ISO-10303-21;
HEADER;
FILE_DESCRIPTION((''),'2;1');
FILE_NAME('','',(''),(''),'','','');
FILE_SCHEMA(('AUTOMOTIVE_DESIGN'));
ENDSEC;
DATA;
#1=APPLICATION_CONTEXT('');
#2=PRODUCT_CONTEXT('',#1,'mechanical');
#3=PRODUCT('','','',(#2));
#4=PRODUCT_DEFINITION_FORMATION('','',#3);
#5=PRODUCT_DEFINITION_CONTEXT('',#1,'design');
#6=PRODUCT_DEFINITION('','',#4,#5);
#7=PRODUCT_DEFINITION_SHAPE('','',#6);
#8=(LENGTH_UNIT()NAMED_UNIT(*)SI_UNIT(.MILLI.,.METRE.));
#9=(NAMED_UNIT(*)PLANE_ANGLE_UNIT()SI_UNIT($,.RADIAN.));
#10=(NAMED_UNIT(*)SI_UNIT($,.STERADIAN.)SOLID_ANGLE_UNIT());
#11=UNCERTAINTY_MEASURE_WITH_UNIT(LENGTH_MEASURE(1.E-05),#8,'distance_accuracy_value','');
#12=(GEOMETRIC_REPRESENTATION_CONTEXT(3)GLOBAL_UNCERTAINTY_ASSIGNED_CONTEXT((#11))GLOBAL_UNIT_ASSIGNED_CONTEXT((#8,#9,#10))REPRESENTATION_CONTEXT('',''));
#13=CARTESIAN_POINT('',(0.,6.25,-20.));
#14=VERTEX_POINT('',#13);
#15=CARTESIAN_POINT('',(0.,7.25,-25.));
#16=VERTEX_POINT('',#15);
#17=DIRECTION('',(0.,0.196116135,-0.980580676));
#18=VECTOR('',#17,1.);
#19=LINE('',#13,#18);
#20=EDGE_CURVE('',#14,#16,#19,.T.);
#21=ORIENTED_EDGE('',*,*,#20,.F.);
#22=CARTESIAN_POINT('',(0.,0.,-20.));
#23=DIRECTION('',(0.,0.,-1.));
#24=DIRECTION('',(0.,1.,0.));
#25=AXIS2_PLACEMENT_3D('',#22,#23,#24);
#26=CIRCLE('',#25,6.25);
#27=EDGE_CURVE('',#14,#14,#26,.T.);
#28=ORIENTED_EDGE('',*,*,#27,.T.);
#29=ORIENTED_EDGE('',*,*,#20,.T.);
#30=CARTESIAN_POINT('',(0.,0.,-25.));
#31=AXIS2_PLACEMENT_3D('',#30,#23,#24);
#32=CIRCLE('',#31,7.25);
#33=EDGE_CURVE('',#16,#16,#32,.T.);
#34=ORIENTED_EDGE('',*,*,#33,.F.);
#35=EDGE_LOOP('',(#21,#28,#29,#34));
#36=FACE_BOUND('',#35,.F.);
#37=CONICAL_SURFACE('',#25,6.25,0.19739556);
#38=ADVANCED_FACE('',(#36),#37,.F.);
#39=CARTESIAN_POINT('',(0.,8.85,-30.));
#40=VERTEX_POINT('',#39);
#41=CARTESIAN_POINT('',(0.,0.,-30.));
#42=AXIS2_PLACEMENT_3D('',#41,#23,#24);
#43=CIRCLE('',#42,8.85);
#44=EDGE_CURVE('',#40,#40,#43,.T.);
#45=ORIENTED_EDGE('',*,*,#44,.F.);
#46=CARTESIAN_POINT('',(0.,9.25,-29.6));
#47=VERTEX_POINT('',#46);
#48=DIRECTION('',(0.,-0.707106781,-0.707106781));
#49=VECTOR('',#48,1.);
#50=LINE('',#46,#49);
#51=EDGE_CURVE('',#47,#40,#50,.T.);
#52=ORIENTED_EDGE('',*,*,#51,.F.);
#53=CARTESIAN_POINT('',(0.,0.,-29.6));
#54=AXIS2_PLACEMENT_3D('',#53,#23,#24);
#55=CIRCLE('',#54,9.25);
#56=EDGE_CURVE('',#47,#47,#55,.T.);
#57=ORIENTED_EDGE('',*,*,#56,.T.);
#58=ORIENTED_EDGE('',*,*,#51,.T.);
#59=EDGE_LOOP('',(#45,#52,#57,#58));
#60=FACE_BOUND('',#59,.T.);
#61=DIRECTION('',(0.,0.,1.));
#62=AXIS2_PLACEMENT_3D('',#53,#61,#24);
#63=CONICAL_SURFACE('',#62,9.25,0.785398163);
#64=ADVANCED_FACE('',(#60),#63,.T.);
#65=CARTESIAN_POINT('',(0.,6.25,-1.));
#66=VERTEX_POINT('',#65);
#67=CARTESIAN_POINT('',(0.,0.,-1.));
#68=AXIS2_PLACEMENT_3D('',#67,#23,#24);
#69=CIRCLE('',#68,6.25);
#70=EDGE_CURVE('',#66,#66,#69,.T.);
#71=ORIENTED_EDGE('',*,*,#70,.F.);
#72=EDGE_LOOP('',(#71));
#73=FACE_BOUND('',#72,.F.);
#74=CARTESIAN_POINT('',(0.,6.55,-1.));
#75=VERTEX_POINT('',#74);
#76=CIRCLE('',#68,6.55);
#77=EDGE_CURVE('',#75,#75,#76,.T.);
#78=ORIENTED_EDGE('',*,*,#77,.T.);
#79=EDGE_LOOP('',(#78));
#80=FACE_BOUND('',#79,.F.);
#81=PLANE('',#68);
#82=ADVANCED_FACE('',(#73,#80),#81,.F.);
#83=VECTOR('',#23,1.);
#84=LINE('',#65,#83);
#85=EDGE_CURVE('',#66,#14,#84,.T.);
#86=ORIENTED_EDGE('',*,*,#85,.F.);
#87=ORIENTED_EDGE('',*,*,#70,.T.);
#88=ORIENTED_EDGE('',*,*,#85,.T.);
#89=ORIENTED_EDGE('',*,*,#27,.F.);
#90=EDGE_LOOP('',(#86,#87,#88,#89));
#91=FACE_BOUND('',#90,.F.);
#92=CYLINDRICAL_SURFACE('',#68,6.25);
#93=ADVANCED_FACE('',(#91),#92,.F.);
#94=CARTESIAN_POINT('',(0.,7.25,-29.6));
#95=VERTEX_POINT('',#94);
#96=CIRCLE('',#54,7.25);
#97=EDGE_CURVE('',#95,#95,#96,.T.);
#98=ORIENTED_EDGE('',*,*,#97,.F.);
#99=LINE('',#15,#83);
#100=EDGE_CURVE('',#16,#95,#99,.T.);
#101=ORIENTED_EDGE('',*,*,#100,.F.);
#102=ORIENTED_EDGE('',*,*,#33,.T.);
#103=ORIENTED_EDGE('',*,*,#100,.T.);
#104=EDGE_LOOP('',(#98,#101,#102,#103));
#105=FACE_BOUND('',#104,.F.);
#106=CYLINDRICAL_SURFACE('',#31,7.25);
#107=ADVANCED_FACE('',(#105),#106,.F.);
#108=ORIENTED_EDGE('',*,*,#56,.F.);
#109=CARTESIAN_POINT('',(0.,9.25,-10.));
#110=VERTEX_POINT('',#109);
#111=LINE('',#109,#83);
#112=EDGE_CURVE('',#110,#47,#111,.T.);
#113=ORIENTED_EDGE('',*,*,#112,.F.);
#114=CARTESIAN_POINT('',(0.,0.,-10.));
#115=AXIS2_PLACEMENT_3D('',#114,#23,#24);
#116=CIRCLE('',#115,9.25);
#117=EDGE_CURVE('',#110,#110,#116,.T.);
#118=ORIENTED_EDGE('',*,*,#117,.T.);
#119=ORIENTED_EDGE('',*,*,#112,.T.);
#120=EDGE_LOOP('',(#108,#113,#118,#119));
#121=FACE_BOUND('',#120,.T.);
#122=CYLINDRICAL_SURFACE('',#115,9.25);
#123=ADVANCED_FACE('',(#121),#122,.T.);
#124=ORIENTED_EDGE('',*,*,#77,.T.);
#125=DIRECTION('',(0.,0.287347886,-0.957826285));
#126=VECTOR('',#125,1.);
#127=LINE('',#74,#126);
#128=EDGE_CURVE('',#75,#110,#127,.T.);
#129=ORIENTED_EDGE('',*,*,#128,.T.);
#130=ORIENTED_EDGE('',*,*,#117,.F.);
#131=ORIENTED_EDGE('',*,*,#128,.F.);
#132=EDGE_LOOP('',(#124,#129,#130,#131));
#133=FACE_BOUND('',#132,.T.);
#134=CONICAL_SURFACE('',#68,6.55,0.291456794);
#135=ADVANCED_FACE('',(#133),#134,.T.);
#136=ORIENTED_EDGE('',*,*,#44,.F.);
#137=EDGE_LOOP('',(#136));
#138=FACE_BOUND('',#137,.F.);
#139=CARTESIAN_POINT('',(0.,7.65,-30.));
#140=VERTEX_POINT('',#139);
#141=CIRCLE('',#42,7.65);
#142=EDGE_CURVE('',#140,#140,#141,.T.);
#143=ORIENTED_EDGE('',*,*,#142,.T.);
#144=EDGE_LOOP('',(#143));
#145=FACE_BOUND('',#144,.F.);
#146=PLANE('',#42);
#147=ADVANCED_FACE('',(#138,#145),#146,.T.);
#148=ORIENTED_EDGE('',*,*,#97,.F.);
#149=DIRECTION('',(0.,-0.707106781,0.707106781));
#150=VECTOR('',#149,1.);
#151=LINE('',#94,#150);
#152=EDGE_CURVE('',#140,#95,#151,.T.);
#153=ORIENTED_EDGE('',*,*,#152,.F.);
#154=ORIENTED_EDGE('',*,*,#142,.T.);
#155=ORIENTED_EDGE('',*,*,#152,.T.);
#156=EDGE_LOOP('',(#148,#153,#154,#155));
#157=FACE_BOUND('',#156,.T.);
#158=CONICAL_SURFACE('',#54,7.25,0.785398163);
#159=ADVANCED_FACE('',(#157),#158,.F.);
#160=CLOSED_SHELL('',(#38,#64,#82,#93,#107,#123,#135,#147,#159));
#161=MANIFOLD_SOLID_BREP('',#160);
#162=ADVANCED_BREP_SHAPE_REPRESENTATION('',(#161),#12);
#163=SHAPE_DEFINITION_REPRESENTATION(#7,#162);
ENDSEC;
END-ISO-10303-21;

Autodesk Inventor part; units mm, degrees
ref_plane "YZ Plane" through (0, 0, 0) normal (1, 0, 0) x (0, 1, 0)
ref_plane "XZ Plane" through (0, 0, 0) normal (0, 1, 0) x (-1, 0, 0)
ref_plane "XY Plane" through (0, 0, 0) normal (0, 0, 1) x (1, 0, 0)
sketch "Esquisse1" plane through (0, 0, 0) normal (1, 0, 0) x (0, 1, 0)
  line L0 (6.55, -1) -> (6.25, -1)
  line L1 (6.25, -1) -> (6.25, -20)
  line L2 (0, 0) -> (0, -28.3478)
  line L3 (6.55, -1) -> (9.25, -10)
  line L4 (6.55, -1) -> (6.25, 0) construction
  line L5 (9.25, -10) -> (9.25, -30)
  line L6 (6.25, -20) -> (7.25, -25)
  line L7 (7.25, -25) -> (7.25, -30)
  line L8 (7.25, -30) -> (9.25, -30)
  dimension "d0" = 12.5
  dimension "d1" = 1
  dimension "d2" = 3
  dimension "d3" = 10
  dimension "d4" = 2
  dimension "d5" = 30
  dimension "d6" = 5
  dimension "d7" = 5
  dimension "d9" = 18.5
revolve "Révolution1" add sketch "Esquisse1" angle 360 about axis through (0, 0, 0) along (0, 0, -1)
chamfer "Chanfrein1" distance 0.4 angle 45 2 edges at (0, -7.25, -30) (0, -9.25, -30)
properties part number "cardridge"
